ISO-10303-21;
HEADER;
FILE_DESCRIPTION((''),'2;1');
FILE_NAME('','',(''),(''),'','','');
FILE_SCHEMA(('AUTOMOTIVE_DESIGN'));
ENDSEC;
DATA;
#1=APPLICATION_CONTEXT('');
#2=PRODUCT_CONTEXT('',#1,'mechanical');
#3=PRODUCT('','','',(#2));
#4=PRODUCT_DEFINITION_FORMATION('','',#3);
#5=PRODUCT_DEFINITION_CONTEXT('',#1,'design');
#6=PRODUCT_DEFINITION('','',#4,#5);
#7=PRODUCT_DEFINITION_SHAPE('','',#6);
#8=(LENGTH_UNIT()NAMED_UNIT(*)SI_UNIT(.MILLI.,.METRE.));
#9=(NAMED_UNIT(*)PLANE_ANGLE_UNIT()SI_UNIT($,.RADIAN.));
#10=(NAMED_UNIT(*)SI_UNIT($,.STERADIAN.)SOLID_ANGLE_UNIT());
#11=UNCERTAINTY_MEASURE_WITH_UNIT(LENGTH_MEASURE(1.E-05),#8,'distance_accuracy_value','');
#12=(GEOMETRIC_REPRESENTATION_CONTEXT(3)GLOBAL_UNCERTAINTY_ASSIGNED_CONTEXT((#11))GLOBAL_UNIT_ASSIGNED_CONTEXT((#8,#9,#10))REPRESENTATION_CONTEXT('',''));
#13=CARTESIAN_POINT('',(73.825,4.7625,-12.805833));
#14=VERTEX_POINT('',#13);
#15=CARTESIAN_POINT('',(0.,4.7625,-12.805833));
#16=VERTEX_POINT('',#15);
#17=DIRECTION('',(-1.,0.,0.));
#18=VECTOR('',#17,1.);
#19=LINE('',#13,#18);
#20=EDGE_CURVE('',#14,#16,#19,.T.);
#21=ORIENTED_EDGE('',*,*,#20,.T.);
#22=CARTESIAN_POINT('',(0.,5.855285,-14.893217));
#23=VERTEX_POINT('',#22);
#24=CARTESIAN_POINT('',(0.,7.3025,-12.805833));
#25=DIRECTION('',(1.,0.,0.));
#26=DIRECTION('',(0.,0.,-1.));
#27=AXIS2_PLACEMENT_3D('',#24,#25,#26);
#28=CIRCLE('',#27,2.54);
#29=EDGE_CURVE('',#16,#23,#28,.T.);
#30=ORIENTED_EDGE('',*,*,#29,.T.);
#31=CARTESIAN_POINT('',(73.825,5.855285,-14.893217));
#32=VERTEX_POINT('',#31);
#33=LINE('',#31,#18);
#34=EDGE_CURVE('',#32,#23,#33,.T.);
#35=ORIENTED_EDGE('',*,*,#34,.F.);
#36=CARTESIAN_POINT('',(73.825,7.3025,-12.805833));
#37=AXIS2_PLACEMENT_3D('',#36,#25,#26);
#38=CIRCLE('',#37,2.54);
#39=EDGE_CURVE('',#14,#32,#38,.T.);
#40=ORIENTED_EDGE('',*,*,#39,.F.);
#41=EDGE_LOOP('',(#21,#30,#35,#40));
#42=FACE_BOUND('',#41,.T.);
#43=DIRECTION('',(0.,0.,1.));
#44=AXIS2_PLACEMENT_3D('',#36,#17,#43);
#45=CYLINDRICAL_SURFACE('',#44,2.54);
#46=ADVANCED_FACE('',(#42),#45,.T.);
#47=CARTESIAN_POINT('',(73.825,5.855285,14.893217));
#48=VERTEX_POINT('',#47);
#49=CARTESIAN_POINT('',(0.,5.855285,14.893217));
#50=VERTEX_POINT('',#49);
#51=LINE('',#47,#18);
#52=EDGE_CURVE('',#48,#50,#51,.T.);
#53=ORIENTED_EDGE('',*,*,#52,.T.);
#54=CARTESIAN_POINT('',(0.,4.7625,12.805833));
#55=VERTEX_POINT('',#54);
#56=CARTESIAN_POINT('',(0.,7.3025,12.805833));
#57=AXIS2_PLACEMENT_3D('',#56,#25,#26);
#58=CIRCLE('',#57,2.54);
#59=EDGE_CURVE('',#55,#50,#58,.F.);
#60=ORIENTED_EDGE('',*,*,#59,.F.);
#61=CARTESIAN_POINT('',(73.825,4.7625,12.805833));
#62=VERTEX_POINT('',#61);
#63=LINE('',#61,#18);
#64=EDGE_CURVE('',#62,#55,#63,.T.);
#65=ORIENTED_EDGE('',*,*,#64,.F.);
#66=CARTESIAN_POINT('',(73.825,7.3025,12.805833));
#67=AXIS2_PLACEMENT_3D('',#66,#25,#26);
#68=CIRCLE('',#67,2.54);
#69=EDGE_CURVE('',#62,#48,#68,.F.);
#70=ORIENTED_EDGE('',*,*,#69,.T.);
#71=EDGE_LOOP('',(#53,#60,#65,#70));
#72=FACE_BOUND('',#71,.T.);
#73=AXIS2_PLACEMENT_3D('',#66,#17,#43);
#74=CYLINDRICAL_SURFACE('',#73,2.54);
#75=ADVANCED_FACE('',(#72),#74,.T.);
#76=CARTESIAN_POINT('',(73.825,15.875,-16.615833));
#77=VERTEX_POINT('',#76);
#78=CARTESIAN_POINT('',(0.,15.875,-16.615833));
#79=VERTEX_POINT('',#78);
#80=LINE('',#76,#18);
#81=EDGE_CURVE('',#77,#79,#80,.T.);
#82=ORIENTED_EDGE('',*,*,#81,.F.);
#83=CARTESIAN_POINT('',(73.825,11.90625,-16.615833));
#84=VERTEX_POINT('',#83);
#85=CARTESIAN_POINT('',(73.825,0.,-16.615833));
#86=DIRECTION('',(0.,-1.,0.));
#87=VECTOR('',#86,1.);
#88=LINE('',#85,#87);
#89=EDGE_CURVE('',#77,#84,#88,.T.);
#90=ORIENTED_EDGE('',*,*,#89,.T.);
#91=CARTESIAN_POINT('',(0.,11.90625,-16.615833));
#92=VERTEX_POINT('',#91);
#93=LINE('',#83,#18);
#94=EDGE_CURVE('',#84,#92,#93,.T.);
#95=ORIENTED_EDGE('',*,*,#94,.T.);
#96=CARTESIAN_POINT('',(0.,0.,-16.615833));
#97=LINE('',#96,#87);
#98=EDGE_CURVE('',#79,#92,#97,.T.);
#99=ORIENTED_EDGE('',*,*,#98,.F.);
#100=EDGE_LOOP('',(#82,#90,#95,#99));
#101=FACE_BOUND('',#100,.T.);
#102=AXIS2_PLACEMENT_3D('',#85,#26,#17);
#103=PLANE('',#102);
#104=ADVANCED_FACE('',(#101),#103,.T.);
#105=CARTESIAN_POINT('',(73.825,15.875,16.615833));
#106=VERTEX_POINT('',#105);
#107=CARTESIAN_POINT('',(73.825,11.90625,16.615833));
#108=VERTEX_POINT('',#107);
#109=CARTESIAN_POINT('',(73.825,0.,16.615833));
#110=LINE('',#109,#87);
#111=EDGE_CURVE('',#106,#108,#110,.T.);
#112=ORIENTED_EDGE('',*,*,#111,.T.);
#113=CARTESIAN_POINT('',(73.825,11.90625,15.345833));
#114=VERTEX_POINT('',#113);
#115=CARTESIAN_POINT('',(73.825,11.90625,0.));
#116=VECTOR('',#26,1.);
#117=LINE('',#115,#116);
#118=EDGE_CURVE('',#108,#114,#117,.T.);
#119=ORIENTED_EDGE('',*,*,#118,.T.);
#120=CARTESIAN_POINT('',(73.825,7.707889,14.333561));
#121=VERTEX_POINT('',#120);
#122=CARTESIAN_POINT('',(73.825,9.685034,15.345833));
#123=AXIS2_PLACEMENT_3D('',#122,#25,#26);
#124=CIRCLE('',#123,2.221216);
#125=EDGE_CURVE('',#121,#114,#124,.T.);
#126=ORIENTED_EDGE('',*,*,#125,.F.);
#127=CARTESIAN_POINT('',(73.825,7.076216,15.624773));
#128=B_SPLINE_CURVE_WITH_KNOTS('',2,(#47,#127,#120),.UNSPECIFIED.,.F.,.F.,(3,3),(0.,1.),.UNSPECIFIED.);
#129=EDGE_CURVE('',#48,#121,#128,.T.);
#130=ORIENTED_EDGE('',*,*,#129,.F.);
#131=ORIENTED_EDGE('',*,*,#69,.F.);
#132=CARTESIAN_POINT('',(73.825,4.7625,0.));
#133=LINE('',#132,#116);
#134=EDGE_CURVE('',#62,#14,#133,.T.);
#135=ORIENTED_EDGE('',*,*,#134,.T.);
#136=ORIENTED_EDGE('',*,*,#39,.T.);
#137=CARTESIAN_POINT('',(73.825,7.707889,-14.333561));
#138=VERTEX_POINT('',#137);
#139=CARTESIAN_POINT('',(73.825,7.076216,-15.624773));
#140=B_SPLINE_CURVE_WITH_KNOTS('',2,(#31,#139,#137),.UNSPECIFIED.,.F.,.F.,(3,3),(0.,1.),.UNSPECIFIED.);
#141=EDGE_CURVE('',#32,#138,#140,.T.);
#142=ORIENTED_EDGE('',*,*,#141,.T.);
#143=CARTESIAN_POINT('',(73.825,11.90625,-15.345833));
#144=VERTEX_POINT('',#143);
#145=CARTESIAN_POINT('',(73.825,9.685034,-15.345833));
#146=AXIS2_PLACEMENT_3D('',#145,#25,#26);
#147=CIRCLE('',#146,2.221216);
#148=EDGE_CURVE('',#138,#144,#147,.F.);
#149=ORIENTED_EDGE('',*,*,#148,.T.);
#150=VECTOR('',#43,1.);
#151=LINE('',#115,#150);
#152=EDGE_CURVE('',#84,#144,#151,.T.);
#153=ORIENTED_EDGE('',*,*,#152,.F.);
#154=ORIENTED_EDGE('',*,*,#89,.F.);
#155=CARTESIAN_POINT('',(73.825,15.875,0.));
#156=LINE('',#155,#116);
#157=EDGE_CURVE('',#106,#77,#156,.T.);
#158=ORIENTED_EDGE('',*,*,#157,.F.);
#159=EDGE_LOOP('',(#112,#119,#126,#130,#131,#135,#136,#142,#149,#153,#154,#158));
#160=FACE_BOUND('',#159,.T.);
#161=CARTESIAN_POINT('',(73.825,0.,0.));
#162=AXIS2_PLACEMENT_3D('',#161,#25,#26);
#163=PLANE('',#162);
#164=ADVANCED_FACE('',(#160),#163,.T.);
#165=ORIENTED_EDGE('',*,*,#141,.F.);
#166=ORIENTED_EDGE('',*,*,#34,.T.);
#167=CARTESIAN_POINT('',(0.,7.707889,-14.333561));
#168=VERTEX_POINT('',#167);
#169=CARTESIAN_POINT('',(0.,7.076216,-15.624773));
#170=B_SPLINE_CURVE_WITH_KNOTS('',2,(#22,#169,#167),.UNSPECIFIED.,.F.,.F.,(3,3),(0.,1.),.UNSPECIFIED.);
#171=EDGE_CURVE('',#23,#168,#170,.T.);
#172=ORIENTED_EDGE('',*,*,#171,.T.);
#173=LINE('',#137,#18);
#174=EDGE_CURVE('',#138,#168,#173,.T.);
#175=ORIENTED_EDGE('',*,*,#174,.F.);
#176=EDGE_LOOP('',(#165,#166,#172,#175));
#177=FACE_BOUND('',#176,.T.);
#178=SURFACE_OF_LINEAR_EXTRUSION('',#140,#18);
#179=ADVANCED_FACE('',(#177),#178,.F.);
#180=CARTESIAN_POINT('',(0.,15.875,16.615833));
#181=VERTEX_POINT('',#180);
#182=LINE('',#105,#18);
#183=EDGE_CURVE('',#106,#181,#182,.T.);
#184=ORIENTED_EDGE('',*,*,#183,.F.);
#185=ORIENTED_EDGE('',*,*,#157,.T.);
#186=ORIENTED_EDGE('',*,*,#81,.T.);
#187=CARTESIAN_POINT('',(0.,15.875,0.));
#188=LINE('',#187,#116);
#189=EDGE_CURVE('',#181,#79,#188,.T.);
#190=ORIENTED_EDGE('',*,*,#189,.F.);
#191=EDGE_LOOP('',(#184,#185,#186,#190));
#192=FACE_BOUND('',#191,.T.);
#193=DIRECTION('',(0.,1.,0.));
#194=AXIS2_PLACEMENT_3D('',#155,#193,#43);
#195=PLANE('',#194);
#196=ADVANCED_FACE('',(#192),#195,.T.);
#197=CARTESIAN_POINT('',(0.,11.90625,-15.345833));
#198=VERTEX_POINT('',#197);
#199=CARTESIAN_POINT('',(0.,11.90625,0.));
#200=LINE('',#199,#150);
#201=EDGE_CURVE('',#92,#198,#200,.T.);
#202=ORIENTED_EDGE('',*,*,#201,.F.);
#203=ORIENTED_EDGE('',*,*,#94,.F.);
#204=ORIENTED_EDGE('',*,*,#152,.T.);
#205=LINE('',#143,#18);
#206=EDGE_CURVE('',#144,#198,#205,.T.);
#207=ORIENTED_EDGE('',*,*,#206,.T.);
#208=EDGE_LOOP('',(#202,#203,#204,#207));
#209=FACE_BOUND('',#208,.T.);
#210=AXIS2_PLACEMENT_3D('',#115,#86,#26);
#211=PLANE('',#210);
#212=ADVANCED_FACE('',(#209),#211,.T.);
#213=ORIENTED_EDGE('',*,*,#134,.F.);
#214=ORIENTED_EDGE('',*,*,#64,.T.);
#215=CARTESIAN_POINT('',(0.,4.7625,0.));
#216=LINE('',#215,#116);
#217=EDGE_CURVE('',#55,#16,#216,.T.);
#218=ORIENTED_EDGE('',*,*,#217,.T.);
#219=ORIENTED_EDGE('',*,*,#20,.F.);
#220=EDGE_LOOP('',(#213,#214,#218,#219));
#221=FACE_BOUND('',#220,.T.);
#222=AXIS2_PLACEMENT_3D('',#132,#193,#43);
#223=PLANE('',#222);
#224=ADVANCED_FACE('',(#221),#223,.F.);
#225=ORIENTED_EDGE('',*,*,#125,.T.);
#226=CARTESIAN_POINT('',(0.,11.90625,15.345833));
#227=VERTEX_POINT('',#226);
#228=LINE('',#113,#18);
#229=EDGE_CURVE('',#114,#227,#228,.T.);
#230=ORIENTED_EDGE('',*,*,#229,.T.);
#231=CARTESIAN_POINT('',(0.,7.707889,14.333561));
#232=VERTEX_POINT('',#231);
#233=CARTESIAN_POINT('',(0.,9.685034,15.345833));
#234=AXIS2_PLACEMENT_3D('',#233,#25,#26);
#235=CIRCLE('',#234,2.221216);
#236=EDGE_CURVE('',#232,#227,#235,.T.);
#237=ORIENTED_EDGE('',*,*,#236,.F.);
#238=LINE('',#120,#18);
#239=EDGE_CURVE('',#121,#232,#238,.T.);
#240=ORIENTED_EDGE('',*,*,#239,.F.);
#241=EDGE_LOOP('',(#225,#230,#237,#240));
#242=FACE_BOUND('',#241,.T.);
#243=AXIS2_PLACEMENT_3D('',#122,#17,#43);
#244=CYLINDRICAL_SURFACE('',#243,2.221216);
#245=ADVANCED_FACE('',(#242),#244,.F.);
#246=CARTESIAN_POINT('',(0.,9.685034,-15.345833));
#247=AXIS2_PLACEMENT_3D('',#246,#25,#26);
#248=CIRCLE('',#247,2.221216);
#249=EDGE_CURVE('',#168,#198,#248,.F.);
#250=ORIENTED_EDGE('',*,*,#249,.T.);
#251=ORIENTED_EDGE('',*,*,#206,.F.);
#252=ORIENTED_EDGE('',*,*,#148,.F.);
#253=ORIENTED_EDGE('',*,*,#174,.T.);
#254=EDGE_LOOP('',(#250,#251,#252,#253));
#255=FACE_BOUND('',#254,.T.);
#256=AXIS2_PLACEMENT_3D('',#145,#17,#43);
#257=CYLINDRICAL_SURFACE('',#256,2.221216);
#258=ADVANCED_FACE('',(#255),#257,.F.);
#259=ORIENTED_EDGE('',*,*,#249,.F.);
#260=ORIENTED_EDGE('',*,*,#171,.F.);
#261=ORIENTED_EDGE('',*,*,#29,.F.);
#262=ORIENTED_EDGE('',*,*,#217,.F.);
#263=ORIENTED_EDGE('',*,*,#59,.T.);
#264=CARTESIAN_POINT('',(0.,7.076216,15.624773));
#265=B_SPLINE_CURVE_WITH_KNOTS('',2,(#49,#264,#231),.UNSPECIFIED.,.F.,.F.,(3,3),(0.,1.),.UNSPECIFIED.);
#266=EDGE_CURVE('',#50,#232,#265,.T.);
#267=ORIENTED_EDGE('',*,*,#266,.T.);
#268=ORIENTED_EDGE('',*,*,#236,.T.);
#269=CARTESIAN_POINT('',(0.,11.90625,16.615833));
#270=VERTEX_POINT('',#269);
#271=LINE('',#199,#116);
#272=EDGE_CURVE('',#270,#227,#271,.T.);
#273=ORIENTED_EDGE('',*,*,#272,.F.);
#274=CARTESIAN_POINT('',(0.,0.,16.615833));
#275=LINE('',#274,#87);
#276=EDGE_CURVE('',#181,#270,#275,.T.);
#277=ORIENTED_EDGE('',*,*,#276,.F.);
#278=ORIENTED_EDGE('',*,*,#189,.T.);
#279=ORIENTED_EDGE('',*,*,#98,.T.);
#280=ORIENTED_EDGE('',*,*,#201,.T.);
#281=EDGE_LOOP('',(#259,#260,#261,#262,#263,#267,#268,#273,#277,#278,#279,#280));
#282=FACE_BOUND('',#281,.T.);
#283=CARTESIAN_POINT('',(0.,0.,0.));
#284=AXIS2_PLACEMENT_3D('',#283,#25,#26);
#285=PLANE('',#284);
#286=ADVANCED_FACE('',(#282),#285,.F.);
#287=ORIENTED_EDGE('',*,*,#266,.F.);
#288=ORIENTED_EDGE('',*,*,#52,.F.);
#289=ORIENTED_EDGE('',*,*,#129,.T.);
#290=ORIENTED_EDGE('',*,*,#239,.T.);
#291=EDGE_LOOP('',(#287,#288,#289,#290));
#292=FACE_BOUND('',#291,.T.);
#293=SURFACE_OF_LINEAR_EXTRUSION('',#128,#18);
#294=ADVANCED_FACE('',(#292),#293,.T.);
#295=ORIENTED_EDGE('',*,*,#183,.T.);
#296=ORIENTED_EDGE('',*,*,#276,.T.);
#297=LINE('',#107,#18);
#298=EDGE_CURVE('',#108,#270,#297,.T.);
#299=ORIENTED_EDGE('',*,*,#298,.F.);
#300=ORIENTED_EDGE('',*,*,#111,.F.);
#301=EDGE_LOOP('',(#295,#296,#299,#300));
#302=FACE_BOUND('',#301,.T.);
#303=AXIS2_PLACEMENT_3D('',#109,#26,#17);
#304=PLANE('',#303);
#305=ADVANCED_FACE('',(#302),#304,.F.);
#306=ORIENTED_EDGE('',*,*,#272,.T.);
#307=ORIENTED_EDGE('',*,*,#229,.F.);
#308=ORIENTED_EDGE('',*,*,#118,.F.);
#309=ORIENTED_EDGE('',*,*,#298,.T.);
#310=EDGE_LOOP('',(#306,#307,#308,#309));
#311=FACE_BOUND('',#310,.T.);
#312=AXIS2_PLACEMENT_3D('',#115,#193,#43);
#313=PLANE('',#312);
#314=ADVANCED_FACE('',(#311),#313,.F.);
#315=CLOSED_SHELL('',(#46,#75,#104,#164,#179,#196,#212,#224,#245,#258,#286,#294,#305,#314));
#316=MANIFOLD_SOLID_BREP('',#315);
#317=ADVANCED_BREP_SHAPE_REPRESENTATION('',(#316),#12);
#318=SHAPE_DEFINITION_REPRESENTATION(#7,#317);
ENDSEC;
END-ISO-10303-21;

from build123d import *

# Parameters (mm, degrees)
BOSS_EXTRUDE1_DEPTH = 73.824999924


with BuildPart() as part:
    # Sketch1 → Boss-Extrude1 (new body)
    with BuildSketch(Plane(origin=(0, 0, 0), x_dir=(0, 0, -1), z_dir=(1, 0, 0))):
        with BuildLine():
            Line((-15.345833333, 15.875), (-16.615833333, 15.875))
            Line((-16.615833333, 15.875), (-16.615833333, 11.90625))
            Line((-16.615833333, 11.90625), (-15.345833333, 11.90625))
            ThreePointArc((-15.345833333, 11.90625), (-13.186497119, 10.205674607), (-14.333561104, 7.707888834))
            add(Edge.make_bspline(
                [(-14.893216846, 5.855285409), (-15.624772824, 7.07621566), (-14.333561104, 7.707888834)],
                knots=[0, 0, 0, 1, 1, 1], degree=2))
            ThreePointArc((-14.893216846, 5.855285409), (-14.258115568, 5.218639085), (-13.44097879, 4.843193137))
            ThreePointArc((-13.44097879, 4.843193137), (-13.125958752, 4.782754037), (-12.805833333, 4.7625))
            Line((-12.805833333, 4.7625), (12.805833333, 4.7625))
            ThreePointArc((12.805833333, 4.7625), (13.125958752, 4.782754037), (13.44097879, 4.843193137))
            ThreePointArc((13.44097879, 4.843193137), (14.258115568, 5.218639085), (14.893216846, 5.855285409))
            add(Edge.make_bspline(
                [(14.893216846, 5.855285409), (15.624772824, 7.07621566), (14.333561104, 7.707888834)],
                knots=[0, 0, 0, 1, 1, 1], degree=2))
            ThreePointArc((14.333561104, 7.707888834), (13.186497119, 10.205674607), (15.345833333, 11.90625))
            Line((15.345833333, 11.90625), (16.615833333, 11.90625))
            Line((16.615833333, 11.90625), (16.615833333, 15.875))
            Line((16.615833333, 15.875), (15.345833333, 15.875))
            Line((15.345833333, 15.875), (-15.345833333, 15.875))
        make_face()
    extrude(amount=BOSS_EXTRUDE1_DEPTH)


solid = part.part
